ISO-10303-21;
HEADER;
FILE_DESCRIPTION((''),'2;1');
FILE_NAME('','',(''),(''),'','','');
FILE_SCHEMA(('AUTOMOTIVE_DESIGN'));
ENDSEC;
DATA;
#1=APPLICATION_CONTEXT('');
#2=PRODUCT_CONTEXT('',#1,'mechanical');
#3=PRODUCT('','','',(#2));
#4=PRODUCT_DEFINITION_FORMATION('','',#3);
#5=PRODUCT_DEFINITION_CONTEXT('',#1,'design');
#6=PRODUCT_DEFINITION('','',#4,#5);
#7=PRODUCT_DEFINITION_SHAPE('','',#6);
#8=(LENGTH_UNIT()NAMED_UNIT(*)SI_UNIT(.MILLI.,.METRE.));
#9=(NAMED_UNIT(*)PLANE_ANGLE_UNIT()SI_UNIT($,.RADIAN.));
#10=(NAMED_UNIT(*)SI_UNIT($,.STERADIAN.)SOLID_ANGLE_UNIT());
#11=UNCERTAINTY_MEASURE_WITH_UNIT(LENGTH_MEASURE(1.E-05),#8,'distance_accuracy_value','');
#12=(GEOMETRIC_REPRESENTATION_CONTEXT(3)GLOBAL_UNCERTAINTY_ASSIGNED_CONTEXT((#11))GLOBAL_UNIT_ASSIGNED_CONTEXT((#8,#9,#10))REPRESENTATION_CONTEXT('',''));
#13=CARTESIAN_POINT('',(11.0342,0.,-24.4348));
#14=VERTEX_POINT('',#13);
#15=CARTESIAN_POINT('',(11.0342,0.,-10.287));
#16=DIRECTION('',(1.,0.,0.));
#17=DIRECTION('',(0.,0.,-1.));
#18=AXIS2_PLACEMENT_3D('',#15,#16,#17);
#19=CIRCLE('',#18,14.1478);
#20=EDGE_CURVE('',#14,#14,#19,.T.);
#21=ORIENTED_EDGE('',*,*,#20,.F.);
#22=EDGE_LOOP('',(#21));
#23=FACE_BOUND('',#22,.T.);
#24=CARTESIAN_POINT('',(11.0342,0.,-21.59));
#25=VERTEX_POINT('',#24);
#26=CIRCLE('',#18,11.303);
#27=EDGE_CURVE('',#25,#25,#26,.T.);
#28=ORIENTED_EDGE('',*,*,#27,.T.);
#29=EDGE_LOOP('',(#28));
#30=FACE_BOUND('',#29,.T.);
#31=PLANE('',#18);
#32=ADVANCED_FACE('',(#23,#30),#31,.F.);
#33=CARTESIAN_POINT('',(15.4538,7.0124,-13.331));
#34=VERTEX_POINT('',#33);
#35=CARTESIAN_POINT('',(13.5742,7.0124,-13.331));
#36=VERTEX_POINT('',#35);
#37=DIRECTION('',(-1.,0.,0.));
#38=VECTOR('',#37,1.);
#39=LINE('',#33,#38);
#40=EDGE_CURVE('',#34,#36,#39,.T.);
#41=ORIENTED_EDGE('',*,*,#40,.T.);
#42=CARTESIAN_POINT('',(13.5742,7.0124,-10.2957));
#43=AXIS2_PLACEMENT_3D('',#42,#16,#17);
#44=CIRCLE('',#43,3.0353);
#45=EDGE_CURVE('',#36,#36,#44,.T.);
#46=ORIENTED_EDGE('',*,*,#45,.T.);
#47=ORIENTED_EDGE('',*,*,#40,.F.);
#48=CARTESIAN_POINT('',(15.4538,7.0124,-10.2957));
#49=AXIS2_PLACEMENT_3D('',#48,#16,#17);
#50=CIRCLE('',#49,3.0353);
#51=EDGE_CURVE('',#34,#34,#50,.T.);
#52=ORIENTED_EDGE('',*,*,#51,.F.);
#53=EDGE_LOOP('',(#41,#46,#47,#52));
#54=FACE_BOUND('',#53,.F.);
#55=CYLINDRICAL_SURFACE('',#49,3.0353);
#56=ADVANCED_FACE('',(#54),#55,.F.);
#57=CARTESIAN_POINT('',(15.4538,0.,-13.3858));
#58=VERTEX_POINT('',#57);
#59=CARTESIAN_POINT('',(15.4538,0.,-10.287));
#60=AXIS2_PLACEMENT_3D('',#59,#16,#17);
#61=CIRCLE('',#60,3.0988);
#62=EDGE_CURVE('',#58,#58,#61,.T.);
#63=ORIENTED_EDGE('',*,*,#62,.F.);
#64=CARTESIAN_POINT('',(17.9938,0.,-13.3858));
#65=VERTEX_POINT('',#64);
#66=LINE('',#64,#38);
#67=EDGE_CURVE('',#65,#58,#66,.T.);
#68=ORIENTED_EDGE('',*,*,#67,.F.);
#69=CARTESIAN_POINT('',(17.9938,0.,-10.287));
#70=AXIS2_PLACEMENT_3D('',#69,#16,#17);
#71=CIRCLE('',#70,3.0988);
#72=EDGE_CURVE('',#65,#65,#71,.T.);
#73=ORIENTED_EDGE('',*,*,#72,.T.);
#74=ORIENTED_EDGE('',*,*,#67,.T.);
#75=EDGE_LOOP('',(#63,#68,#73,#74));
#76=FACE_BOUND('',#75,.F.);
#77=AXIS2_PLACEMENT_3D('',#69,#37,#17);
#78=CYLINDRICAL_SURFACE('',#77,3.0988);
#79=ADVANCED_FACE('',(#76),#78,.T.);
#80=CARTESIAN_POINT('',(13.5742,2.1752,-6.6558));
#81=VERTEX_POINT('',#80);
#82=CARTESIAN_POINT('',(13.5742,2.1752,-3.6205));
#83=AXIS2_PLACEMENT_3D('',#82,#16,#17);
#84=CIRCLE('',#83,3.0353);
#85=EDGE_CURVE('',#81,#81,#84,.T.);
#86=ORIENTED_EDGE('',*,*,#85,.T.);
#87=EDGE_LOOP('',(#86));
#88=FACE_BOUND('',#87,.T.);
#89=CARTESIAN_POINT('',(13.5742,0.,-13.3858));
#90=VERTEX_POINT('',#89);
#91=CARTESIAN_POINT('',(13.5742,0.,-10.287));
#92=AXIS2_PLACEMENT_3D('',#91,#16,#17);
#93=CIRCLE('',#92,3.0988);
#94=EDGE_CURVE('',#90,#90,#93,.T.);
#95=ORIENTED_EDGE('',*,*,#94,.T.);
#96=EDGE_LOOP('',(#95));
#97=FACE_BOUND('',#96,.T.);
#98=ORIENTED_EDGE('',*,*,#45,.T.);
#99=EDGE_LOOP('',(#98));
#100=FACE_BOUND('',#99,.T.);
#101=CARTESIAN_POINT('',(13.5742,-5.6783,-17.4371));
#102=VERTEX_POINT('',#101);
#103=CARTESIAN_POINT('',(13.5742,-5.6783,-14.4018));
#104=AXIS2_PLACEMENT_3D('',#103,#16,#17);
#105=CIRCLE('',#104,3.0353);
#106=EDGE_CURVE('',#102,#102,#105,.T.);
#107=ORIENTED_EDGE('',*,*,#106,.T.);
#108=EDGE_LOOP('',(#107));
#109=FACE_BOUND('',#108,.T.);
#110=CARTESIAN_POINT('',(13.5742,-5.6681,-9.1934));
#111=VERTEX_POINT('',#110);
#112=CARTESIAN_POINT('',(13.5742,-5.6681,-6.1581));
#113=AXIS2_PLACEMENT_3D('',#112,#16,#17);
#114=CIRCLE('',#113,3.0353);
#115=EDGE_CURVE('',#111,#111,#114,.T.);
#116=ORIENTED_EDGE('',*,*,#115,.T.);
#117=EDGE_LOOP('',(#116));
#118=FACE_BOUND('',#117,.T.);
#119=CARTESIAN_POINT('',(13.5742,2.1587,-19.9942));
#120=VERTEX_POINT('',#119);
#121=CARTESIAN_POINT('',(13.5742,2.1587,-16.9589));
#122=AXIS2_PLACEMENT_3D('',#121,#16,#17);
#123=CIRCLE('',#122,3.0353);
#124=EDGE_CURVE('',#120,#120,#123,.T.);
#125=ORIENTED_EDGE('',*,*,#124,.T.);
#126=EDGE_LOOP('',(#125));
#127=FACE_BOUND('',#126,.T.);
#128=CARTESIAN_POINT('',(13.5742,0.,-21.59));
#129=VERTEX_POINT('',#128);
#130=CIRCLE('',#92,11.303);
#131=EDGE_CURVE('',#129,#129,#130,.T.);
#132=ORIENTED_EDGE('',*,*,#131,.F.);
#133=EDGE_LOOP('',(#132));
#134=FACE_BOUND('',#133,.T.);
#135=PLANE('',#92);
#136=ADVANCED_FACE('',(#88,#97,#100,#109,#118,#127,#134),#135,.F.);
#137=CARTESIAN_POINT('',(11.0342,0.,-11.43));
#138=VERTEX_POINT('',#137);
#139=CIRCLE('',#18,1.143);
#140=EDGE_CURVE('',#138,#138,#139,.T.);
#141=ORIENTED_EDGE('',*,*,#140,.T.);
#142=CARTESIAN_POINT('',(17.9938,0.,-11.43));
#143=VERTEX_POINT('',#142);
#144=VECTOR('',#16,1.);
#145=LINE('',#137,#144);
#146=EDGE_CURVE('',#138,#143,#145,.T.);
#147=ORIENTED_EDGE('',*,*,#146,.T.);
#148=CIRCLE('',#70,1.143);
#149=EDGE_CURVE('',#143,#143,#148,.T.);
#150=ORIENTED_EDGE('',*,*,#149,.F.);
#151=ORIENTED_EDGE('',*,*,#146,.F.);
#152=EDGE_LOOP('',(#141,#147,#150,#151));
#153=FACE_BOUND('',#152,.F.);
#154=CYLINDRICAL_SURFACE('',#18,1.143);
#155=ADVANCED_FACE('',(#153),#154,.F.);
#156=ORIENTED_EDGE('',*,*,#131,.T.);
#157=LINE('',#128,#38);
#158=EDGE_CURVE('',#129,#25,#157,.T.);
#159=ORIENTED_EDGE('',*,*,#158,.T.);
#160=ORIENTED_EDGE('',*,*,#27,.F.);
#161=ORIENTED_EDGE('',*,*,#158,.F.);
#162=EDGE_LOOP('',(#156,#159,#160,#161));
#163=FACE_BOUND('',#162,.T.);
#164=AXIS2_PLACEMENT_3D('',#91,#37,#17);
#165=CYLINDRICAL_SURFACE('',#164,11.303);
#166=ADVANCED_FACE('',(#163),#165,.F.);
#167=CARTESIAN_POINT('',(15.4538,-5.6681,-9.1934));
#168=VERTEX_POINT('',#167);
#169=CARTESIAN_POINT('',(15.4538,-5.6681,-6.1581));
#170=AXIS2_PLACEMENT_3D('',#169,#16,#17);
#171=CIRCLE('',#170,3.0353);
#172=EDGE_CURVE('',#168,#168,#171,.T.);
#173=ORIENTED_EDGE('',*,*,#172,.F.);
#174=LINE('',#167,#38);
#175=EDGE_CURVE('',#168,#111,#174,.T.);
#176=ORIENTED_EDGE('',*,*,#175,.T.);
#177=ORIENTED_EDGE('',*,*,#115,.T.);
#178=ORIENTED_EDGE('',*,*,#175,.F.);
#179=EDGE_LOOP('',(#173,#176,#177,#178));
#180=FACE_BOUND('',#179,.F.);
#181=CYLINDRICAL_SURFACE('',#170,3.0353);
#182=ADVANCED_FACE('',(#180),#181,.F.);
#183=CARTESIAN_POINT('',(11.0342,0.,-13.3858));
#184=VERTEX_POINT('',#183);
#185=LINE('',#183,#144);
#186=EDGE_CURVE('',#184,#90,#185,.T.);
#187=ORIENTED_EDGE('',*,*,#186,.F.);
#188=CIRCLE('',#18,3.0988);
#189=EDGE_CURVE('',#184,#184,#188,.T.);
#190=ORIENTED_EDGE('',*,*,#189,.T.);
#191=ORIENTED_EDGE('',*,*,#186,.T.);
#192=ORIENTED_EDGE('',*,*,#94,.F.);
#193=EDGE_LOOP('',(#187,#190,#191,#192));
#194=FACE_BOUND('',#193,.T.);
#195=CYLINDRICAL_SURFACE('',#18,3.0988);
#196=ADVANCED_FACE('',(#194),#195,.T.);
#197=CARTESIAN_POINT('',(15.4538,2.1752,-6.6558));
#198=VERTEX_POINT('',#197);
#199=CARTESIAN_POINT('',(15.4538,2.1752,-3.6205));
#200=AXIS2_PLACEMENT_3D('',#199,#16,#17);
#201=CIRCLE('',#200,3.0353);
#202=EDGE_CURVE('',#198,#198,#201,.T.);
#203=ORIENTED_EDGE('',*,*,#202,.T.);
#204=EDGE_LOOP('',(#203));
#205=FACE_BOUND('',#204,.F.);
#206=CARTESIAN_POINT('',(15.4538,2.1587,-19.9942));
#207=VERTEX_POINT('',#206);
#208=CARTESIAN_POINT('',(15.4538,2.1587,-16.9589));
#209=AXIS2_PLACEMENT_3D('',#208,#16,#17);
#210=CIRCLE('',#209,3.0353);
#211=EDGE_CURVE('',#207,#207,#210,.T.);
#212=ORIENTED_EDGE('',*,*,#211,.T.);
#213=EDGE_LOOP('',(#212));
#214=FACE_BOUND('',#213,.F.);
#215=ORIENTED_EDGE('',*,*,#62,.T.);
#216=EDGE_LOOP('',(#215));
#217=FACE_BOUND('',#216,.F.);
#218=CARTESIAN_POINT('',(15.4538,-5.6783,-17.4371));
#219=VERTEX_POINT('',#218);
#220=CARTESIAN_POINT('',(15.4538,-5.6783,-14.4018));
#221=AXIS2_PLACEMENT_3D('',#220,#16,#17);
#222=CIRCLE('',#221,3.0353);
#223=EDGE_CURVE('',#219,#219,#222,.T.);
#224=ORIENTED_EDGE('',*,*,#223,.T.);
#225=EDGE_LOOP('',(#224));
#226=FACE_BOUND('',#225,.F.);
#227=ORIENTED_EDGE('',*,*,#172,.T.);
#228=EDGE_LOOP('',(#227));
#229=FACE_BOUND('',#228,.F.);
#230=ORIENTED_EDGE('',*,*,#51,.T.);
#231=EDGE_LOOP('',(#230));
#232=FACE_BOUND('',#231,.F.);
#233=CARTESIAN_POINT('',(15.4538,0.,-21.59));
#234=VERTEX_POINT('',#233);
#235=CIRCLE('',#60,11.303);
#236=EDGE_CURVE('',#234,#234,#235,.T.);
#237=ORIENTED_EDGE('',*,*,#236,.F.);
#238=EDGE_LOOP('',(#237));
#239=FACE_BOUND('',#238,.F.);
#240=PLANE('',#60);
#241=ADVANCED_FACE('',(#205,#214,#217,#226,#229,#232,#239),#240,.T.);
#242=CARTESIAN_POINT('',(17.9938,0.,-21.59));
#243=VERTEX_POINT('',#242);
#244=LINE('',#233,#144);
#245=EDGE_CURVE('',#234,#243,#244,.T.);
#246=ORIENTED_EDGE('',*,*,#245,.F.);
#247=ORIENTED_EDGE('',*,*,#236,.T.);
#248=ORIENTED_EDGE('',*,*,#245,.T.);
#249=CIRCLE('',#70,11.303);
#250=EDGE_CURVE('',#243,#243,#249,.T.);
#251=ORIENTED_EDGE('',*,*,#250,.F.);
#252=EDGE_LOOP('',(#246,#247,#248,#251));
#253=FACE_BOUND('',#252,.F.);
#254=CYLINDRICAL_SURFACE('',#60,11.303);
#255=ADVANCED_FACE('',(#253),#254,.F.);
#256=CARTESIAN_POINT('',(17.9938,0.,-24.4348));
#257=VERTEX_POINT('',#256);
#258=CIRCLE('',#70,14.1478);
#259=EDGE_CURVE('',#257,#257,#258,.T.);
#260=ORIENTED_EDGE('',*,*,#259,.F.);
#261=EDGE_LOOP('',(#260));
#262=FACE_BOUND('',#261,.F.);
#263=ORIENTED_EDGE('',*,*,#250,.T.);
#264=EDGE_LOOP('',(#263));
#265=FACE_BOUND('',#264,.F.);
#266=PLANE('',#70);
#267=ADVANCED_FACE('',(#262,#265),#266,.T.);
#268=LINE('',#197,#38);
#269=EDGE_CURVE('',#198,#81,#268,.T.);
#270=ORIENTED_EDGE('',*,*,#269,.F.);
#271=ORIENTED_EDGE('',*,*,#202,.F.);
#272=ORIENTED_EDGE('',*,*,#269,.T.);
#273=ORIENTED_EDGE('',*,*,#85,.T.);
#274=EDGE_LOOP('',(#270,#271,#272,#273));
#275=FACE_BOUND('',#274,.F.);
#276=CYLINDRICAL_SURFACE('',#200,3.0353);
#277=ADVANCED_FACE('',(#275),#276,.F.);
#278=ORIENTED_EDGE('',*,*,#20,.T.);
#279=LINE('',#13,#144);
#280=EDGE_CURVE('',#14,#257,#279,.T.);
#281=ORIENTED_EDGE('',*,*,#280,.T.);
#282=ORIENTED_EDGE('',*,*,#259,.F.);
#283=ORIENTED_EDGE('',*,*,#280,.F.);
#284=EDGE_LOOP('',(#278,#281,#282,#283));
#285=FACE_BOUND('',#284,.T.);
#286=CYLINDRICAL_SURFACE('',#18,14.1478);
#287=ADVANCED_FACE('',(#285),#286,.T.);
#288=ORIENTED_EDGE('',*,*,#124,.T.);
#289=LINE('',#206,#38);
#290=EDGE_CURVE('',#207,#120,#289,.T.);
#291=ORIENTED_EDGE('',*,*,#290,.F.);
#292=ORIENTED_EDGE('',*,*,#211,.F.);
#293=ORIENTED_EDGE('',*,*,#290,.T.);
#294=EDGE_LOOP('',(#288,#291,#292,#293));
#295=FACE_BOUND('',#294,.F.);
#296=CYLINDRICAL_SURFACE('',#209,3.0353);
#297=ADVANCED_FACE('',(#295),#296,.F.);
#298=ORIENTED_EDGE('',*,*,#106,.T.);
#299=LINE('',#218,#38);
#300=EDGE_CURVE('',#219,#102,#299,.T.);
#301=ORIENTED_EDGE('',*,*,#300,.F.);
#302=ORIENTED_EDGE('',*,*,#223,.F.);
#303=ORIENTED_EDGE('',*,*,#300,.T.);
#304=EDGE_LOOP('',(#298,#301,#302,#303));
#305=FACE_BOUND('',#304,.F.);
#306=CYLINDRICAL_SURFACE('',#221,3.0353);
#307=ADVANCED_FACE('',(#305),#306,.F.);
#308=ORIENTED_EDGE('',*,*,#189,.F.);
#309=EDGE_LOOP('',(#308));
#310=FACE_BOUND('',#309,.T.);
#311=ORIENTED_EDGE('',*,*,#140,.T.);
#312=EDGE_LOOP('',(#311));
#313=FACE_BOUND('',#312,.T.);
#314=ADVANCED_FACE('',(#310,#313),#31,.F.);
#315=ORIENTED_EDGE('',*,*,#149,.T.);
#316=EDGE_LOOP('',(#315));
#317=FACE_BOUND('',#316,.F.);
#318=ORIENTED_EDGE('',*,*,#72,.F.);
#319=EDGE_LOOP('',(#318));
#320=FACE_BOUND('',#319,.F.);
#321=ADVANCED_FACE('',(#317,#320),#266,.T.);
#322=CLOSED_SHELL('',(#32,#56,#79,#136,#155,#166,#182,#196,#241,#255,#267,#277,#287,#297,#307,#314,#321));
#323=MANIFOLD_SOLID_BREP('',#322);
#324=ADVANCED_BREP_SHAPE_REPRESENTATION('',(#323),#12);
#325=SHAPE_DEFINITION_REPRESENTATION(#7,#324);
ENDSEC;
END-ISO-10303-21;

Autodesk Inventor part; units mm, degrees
ref_plane "YZ Plane" through (0, 0, 0) normal (1, 0, 0) x (0, 1, 0)
ref_plane "XZ Plane" through (0, 0, 0) normal (0, 1, 0) x (-1, 0, 0)
ref_plane "XY Plane" through (0, 0, 0) normal (0, 0, 1) x (1, 0, 0)
sketch "Sketch3" plane through (0, 0, 0) normal (0, 1, 0) x (-1, 0, 0)
  line L0 (68.9195, -10.287) -> (-79.2178, -10.287)
  line L1 (-11.0342, -11.43) -> (-17.9938, -11.43)
  line L2 (-17.9938, -11.43) -> (-17.9938, -13.3858)
  line L3 (-11.0342, -11.43) -> (-11.0342, -13.3858)
  line L4 (-11.0342, -13.3858) -> (-13.5742, -13.3858)
  line L5 (-17.9938, -13.3858) -> (-15.4538, -13.3858)
  line L6 (-15.4538, -13.3858) -> (-15.4538, -21.59)
  line L7 (-13.5742, -13.3858) -> (-13.5742, -21.59)
  line L8 (-13.5742, -21.59) -> (-11.0342, -21.59)
  line L9 (-15.4538, -21.59) -> (-17.9938, -21.59)
  line L10 (-17.9938, -21.59) -> (-17.9938, -24.4348)
  line L11 (-11.0342, -21.59) -> (-11.0342, -24.4348)
  line L12 (-11.0342, -24.4348) -> (-17.9938, -24.4348)
  point P0 (0, 0)
  dimension "d10" = 1.143
  dimension "d11" = 6.9596
  dimension "d12" = 1.9558
  dimension "d13" = 2.54
  dimension "d14" = 2.54
  dimension "d15" = 8.2042
  dimension "d16" = 2.8448
revolve "Revolution1" add sketch "Sketch3" angle 360 about axis through (-68.9195, 0, -10.287) along (1, 0, 0)
thread "Thread1" size "3-48 UNC" class "2B" standard "ANSI Unified Screw Threads" full length
sketch "Sketch4" plane through (15.4538, 0, -10.287) normal (1, 0, 0) x (0, 0, -1)
  circle A0 centre (0.0087, 7.0124) radius 3.0353
  circle A1 centre (-6.6665, 2.1752) radius 3.0353
  circle A2 centre (-4.1289, -5.6681) radius 3.0353
  circle A3 centre (4.1148, -5.6783) radius 3.0353
  circle A4 centre (6.6719, 2.1587) radius 3.0353
  point P0 (-10.287, 0)
  point P1 (0, 0)
  dimension "d20" = 6.0706
  dimension "d23" = 360
extrude "Extrusion3" cut sketch "Sketch4" against normal through all
properties part number "fly wheel" material "Iron, Malleable"
